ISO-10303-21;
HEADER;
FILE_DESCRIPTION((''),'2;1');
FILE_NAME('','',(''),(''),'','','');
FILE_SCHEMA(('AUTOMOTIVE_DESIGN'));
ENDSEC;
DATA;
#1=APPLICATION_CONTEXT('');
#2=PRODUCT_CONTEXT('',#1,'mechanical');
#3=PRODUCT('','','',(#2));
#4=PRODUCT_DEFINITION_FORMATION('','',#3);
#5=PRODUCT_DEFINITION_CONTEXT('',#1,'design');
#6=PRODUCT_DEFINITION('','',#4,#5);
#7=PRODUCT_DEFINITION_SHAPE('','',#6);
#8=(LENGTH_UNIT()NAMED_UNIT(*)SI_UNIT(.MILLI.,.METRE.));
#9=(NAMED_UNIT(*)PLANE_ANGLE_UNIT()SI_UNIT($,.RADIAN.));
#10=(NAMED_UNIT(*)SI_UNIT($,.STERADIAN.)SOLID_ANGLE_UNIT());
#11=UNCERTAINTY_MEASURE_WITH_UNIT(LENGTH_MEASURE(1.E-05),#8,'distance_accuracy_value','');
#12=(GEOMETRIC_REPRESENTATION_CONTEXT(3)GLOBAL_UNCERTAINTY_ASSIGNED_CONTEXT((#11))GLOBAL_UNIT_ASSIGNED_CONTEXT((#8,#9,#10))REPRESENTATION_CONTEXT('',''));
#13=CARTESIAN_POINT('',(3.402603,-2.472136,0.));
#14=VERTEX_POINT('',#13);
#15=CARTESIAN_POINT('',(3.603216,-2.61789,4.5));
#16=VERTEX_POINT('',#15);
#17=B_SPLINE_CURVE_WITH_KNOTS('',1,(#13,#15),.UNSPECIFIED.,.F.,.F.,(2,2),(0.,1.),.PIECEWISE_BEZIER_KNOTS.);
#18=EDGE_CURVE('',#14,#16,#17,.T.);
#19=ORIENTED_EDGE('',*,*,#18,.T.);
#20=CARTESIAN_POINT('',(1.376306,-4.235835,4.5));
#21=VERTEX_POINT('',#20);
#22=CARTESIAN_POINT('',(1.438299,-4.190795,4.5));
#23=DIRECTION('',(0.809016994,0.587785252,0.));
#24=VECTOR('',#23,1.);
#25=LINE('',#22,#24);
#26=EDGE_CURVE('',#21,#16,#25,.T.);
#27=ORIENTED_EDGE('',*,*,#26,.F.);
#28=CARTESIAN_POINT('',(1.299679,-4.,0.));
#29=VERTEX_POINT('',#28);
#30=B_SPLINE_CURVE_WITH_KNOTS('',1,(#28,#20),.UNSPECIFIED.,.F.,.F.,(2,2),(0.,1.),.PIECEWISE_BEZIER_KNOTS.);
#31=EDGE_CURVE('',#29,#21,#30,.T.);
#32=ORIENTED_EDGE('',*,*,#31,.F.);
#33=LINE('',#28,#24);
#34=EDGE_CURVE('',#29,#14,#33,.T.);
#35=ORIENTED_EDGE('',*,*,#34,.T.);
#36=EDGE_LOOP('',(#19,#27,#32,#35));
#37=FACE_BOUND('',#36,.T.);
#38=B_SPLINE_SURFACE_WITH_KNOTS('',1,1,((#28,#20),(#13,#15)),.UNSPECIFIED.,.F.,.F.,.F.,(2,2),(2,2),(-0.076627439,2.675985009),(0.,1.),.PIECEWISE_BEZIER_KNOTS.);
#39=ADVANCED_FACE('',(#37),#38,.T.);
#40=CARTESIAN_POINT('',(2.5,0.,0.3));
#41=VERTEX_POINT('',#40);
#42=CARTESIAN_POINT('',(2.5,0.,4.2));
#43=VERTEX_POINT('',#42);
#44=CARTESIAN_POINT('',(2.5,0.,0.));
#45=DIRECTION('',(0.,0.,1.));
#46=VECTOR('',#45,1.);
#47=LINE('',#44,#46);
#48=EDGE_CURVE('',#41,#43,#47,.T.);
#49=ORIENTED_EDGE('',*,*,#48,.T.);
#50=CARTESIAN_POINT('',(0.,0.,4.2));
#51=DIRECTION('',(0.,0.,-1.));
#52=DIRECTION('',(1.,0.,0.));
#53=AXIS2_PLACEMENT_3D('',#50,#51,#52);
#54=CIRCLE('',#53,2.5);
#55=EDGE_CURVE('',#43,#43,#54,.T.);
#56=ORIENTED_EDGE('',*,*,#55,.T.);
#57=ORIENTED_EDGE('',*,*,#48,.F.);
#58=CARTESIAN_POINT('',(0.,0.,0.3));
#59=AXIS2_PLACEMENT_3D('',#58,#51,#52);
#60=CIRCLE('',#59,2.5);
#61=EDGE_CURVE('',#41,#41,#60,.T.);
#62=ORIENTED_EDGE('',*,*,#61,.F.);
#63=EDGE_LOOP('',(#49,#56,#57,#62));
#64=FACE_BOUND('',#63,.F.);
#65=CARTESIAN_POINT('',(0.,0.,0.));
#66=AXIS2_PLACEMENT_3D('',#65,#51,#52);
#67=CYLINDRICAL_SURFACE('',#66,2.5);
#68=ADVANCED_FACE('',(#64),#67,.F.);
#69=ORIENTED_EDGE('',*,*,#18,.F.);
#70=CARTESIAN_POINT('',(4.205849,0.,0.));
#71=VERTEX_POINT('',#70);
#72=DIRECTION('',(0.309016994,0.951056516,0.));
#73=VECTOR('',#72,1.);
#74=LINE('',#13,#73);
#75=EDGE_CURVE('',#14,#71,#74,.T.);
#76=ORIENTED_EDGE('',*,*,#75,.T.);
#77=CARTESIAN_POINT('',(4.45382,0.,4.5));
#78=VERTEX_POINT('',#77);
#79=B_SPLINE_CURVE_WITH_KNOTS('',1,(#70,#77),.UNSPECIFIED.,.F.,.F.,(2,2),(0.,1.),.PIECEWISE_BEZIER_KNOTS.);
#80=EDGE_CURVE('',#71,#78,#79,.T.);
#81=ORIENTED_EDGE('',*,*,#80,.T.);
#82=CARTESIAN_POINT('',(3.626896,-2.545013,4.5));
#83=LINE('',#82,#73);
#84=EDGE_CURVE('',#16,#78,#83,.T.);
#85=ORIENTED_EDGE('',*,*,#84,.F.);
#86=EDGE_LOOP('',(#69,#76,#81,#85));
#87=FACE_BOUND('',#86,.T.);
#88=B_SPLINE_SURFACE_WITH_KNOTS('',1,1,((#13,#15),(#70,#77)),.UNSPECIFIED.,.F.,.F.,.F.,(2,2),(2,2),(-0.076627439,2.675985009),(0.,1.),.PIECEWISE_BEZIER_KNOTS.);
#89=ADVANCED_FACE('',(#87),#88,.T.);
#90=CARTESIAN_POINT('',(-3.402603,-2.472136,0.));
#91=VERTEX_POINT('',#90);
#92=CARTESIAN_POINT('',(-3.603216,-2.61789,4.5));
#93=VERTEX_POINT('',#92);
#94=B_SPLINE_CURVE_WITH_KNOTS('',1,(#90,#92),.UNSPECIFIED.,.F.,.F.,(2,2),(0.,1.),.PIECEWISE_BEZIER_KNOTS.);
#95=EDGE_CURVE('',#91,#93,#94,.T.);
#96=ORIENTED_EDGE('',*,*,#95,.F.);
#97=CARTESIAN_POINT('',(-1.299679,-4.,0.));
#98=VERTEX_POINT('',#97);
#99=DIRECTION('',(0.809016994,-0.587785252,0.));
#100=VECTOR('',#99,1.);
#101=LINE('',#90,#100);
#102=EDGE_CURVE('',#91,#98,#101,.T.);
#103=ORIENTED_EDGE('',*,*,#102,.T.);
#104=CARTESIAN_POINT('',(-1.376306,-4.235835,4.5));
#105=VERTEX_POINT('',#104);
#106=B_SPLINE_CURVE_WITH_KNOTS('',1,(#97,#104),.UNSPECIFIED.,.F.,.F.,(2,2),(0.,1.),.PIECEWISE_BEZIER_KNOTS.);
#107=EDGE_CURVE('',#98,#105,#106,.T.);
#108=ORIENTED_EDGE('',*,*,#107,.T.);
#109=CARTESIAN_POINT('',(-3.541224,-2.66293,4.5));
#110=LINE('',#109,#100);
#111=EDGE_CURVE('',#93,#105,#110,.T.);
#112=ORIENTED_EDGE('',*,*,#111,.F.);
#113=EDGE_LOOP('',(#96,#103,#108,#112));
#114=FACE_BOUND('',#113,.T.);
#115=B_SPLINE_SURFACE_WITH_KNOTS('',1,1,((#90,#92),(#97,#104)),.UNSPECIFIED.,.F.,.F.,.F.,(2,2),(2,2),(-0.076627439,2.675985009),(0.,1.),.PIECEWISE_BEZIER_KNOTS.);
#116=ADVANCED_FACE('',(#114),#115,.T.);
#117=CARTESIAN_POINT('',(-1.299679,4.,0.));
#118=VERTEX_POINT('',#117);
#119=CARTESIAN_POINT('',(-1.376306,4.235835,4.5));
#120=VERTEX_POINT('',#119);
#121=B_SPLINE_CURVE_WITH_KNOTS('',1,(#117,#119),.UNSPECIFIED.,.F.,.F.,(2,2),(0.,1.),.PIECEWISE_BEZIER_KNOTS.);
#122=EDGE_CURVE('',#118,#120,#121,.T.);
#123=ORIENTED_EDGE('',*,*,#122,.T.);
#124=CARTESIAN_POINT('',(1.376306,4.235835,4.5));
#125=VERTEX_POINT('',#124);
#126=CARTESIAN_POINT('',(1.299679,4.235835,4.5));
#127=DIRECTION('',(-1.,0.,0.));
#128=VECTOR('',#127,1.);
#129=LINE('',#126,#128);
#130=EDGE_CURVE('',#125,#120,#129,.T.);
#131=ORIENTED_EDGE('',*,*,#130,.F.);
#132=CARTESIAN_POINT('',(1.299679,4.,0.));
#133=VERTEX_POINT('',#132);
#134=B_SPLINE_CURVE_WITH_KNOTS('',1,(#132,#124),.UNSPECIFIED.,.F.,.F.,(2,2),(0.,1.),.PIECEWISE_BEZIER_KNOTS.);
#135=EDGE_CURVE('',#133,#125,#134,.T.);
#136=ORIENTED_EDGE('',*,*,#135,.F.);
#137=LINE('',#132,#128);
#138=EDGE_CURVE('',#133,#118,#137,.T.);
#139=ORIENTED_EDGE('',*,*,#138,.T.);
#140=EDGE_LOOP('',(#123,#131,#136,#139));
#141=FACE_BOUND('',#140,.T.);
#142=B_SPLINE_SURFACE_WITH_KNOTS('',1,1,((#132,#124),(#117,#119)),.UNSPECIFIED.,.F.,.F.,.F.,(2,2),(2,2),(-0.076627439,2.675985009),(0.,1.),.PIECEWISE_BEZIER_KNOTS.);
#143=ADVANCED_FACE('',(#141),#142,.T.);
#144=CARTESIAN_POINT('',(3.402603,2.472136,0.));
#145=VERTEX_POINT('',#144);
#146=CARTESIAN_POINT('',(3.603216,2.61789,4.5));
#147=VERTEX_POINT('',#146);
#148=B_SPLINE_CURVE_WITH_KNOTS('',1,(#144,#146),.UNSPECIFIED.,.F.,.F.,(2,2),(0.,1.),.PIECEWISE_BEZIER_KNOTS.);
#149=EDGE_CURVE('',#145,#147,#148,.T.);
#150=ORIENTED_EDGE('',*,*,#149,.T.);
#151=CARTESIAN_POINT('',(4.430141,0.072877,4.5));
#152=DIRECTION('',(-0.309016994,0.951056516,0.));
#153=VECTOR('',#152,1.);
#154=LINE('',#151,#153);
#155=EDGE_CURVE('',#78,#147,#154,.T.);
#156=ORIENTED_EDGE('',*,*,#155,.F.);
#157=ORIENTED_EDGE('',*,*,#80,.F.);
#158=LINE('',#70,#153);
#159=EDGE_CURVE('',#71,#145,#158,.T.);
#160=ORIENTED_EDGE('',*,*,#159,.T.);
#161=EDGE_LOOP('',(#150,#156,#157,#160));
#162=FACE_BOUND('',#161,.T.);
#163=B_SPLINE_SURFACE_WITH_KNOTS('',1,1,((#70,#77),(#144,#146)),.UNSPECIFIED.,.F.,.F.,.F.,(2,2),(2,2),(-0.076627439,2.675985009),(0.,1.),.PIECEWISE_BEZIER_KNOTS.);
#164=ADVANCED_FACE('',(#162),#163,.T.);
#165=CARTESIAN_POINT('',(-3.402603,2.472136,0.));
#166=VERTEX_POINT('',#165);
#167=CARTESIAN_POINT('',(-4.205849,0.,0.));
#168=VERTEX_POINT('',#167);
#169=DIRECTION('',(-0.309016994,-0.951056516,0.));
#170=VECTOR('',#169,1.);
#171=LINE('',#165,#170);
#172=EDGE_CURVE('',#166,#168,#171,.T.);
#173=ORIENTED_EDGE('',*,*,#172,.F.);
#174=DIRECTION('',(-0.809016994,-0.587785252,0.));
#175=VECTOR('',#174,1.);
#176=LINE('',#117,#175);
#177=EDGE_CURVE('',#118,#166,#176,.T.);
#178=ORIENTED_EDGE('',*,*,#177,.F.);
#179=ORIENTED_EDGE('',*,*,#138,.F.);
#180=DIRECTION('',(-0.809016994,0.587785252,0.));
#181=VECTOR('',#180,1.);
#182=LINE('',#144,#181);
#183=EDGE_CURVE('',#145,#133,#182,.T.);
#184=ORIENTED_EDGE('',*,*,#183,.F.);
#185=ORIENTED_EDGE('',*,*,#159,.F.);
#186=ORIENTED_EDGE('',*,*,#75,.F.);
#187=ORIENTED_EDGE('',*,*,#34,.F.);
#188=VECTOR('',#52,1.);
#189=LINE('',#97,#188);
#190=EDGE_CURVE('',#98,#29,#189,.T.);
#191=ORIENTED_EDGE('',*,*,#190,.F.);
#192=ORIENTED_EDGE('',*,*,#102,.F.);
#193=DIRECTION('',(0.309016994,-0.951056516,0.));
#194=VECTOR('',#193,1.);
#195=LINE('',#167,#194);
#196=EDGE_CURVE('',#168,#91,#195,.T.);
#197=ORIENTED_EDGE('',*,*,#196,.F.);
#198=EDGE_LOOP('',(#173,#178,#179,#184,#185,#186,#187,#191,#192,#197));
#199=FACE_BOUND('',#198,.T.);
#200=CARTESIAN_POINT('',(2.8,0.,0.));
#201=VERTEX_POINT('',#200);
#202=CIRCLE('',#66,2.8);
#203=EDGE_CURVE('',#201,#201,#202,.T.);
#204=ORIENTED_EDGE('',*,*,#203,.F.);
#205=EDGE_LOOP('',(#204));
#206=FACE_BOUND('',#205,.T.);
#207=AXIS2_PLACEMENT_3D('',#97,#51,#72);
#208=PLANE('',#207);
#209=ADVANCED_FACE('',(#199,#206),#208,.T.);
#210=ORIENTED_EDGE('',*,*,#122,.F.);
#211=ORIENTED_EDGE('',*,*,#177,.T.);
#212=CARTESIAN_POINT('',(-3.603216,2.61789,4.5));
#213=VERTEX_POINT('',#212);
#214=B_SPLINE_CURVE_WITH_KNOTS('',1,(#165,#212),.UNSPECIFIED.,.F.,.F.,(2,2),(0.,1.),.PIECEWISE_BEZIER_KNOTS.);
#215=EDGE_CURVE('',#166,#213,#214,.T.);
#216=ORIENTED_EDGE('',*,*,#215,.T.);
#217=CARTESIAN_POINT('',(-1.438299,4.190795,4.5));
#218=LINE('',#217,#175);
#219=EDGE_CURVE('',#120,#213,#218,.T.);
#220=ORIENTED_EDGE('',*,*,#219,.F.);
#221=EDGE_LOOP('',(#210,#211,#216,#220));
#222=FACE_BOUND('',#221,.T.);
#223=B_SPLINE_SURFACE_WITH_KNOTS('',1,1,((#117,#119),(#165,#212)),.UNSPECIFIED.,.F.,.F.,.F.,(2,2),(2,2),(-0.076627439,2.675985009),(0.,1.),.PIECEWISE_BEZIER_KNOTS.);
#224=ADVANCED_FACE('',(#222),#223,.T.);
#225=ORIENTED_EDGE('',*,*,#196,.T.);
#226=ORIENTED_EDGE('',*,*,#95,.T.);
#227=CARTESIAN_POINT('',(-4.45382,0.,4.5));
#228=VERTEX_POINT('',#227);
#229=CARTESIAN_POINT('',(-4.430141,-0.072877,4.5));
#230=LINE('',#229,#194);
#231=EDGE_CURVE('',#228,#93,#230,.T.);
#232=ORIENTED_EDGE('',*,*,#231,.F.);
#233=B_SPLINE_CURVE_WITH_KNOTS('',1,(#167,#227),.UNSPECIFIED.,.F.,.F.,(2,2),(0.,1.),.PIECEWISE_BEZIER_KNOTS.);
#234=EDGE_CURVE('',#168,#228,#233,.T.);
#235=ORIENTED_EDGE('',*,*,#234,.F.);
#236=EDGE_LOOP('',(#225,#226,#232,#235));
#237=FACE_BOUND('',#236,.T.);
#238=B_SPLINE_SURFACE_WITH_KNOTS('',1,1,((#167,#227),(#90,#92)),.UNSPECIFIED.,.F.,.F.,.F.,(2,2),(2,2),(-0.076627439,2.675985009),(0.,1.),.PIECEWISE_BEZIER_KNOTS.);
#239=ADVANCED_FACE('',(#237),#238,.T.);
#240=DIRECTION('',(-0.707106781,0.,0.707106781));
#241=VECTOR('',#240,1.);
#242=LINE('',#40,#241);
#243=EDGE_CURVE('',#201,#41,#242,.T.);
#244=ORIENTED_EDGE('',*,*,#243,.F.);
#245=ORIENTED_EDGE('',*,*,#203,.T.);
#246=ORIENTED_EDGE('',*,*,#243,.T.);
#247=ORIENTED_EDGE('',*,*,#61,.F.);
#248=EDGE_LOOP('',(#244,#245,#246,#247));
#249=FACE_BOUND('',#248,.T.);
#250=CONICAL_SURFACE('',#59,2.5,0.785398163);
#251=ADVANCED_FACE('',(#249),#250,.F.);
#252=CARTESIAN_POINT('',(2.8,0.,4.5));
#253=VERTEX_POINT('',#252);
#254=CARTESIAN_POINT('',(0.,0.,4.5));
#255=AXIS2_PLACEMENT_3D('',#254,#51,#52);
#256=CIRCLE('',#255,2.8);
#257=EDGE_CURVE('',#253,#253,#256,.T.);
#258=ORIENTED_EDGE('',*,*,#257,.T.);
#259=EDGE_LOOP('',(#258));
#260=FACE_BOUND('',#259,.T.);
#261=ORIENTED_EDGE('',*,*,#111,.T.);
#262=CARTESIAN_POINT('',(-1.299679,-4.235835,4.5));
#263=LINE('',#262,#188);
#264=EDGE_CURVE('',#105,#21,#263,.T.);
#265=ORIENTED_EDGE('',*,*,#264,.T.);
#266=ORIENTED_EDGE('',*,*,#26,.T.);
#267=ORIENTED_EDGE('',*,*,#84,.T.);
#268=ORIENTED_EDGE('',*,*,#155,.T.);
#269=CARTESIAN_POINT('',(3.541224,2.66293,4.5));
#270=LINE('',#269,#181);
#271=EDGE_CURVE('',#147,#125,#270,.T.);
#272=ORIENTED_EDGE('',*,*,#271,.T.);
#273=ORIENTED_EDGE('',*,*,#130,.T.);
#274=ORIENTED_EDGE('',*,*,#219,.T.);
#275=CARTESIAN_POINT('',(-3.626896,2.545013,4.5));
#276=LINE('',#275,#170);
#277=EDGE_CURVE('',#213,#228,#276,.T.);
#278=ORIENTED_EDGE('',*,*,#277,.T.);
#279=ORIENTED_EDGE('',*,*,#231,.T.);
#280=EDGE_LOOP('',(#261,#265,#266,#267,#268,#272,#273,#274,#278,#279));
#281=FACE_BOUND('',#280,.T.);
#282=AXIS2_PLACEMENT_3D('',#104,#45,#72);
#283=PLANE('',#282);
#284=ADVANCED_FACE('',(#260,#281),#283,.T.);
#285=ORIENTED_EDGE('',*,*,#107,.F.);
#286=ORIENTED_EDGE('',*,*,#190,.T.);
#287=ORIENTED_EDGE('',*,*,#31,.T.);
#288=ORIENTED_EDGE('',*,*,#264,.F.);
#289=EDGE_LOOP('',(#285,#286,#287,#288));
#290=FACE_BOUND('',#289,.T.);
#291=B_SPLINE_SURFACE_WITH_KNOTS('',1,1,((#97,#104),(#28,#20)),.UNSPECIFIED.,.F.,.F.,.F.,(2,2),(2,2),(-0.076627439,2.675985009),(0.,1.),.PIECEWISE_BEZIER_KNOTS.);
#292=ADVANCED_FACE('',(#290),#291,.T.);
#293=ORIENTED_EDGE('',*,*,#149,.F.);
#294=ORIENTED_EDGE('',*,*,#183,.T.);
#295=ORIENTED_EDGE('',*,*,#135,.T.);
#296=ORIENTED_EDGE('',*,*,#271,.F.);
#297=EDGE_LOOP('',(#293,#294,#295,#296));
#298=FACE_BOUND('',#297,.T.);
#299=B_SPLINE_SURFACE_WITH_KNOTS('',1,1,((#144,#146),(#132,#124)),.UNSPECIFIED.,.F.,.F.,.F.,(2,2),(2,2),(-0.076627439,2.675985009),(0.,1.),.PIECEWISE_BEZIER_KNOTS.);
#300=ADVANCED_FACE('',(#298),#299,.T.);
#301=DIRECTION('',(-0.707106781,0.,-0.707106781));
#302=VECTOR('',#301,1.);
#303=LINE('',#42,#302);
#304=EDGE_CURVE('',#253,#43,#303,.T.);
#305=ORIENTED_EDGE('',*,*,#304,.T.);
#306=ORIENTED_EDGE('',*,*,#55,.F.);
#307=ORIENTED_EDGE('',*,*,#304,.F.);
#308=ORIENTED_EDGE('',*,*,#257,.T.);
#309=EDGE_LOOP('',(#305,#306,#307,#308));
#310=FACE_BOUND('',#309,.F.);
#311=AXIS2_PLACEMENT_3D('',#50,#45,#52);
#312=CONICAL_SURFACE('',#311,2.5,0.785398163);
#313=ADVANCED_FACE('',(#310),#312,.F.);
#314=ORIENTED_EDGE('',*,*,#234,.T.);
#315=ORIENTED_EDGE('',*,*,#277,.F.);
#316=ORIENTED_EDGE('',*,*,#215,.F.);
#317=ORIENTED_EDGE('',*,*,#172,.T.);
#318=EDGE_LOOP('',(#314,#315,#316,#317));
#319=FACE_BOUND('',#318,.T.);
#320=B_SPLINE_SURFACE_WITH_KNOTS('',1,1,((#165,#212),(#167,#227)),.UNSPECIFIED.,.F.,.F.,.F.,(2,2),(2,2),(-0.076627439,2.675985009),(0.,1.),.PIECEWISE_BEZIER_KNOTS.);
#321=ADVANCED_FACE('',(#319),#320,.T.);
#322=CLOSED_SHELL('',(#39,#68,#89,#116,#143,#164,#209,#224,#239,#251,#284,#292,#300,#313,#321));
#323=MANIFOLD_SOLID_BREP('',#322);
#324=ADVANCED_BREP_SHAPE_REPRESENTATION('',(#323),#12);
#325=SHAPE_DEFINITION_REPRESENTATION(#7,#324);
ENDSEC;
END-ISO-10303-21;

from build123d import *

# Parameters (mm, degrees)
F1_DEPTH = 4.5
F1_TAPER = -3
F2_R     = 2.5
F3_DEPTH = 25
F4_SIZE  = 0.3


with BuildPart() as f1:
    # F0 (on Top) → F1 (new body)
    with BuildSketch(Plane.XY):
        Polygon((-1.2996787849, -4), (1.2996787849, -4), (3.4026032334, -2.472135955), (4.205848897, 0), (3.4026032334, 2.472135955), (1.2996787849, 4), (-1.2996787849, 4), (-3.4026032334, 2.472135955), (-4.205848897, 0), (-3.4026032334, -2.472135955), align=None)
    extrude(amount=F1_DEPTH, taper=F1_TAPER)

    # F2 (on face) → F3 (cut)
    with BuildSketch(Plane(origin=(0, 0, 0), x_dir=(1, 0, 0), z_dir=(0, 0, -1))):
        Circle(F2_R)
    extrude(amount=-F3_DEPTH, mode=Mode.SUBTRACT)

    # F4
    f4_edges = [f1.edges().sort_by_distance(p)[0] for p in [
        (-2.5, 0, 0),
        (-2.5, 0, 4.5),
    ]]
    chamfer(f4_edges, length=F4_SIZE)


solid = f1.part
